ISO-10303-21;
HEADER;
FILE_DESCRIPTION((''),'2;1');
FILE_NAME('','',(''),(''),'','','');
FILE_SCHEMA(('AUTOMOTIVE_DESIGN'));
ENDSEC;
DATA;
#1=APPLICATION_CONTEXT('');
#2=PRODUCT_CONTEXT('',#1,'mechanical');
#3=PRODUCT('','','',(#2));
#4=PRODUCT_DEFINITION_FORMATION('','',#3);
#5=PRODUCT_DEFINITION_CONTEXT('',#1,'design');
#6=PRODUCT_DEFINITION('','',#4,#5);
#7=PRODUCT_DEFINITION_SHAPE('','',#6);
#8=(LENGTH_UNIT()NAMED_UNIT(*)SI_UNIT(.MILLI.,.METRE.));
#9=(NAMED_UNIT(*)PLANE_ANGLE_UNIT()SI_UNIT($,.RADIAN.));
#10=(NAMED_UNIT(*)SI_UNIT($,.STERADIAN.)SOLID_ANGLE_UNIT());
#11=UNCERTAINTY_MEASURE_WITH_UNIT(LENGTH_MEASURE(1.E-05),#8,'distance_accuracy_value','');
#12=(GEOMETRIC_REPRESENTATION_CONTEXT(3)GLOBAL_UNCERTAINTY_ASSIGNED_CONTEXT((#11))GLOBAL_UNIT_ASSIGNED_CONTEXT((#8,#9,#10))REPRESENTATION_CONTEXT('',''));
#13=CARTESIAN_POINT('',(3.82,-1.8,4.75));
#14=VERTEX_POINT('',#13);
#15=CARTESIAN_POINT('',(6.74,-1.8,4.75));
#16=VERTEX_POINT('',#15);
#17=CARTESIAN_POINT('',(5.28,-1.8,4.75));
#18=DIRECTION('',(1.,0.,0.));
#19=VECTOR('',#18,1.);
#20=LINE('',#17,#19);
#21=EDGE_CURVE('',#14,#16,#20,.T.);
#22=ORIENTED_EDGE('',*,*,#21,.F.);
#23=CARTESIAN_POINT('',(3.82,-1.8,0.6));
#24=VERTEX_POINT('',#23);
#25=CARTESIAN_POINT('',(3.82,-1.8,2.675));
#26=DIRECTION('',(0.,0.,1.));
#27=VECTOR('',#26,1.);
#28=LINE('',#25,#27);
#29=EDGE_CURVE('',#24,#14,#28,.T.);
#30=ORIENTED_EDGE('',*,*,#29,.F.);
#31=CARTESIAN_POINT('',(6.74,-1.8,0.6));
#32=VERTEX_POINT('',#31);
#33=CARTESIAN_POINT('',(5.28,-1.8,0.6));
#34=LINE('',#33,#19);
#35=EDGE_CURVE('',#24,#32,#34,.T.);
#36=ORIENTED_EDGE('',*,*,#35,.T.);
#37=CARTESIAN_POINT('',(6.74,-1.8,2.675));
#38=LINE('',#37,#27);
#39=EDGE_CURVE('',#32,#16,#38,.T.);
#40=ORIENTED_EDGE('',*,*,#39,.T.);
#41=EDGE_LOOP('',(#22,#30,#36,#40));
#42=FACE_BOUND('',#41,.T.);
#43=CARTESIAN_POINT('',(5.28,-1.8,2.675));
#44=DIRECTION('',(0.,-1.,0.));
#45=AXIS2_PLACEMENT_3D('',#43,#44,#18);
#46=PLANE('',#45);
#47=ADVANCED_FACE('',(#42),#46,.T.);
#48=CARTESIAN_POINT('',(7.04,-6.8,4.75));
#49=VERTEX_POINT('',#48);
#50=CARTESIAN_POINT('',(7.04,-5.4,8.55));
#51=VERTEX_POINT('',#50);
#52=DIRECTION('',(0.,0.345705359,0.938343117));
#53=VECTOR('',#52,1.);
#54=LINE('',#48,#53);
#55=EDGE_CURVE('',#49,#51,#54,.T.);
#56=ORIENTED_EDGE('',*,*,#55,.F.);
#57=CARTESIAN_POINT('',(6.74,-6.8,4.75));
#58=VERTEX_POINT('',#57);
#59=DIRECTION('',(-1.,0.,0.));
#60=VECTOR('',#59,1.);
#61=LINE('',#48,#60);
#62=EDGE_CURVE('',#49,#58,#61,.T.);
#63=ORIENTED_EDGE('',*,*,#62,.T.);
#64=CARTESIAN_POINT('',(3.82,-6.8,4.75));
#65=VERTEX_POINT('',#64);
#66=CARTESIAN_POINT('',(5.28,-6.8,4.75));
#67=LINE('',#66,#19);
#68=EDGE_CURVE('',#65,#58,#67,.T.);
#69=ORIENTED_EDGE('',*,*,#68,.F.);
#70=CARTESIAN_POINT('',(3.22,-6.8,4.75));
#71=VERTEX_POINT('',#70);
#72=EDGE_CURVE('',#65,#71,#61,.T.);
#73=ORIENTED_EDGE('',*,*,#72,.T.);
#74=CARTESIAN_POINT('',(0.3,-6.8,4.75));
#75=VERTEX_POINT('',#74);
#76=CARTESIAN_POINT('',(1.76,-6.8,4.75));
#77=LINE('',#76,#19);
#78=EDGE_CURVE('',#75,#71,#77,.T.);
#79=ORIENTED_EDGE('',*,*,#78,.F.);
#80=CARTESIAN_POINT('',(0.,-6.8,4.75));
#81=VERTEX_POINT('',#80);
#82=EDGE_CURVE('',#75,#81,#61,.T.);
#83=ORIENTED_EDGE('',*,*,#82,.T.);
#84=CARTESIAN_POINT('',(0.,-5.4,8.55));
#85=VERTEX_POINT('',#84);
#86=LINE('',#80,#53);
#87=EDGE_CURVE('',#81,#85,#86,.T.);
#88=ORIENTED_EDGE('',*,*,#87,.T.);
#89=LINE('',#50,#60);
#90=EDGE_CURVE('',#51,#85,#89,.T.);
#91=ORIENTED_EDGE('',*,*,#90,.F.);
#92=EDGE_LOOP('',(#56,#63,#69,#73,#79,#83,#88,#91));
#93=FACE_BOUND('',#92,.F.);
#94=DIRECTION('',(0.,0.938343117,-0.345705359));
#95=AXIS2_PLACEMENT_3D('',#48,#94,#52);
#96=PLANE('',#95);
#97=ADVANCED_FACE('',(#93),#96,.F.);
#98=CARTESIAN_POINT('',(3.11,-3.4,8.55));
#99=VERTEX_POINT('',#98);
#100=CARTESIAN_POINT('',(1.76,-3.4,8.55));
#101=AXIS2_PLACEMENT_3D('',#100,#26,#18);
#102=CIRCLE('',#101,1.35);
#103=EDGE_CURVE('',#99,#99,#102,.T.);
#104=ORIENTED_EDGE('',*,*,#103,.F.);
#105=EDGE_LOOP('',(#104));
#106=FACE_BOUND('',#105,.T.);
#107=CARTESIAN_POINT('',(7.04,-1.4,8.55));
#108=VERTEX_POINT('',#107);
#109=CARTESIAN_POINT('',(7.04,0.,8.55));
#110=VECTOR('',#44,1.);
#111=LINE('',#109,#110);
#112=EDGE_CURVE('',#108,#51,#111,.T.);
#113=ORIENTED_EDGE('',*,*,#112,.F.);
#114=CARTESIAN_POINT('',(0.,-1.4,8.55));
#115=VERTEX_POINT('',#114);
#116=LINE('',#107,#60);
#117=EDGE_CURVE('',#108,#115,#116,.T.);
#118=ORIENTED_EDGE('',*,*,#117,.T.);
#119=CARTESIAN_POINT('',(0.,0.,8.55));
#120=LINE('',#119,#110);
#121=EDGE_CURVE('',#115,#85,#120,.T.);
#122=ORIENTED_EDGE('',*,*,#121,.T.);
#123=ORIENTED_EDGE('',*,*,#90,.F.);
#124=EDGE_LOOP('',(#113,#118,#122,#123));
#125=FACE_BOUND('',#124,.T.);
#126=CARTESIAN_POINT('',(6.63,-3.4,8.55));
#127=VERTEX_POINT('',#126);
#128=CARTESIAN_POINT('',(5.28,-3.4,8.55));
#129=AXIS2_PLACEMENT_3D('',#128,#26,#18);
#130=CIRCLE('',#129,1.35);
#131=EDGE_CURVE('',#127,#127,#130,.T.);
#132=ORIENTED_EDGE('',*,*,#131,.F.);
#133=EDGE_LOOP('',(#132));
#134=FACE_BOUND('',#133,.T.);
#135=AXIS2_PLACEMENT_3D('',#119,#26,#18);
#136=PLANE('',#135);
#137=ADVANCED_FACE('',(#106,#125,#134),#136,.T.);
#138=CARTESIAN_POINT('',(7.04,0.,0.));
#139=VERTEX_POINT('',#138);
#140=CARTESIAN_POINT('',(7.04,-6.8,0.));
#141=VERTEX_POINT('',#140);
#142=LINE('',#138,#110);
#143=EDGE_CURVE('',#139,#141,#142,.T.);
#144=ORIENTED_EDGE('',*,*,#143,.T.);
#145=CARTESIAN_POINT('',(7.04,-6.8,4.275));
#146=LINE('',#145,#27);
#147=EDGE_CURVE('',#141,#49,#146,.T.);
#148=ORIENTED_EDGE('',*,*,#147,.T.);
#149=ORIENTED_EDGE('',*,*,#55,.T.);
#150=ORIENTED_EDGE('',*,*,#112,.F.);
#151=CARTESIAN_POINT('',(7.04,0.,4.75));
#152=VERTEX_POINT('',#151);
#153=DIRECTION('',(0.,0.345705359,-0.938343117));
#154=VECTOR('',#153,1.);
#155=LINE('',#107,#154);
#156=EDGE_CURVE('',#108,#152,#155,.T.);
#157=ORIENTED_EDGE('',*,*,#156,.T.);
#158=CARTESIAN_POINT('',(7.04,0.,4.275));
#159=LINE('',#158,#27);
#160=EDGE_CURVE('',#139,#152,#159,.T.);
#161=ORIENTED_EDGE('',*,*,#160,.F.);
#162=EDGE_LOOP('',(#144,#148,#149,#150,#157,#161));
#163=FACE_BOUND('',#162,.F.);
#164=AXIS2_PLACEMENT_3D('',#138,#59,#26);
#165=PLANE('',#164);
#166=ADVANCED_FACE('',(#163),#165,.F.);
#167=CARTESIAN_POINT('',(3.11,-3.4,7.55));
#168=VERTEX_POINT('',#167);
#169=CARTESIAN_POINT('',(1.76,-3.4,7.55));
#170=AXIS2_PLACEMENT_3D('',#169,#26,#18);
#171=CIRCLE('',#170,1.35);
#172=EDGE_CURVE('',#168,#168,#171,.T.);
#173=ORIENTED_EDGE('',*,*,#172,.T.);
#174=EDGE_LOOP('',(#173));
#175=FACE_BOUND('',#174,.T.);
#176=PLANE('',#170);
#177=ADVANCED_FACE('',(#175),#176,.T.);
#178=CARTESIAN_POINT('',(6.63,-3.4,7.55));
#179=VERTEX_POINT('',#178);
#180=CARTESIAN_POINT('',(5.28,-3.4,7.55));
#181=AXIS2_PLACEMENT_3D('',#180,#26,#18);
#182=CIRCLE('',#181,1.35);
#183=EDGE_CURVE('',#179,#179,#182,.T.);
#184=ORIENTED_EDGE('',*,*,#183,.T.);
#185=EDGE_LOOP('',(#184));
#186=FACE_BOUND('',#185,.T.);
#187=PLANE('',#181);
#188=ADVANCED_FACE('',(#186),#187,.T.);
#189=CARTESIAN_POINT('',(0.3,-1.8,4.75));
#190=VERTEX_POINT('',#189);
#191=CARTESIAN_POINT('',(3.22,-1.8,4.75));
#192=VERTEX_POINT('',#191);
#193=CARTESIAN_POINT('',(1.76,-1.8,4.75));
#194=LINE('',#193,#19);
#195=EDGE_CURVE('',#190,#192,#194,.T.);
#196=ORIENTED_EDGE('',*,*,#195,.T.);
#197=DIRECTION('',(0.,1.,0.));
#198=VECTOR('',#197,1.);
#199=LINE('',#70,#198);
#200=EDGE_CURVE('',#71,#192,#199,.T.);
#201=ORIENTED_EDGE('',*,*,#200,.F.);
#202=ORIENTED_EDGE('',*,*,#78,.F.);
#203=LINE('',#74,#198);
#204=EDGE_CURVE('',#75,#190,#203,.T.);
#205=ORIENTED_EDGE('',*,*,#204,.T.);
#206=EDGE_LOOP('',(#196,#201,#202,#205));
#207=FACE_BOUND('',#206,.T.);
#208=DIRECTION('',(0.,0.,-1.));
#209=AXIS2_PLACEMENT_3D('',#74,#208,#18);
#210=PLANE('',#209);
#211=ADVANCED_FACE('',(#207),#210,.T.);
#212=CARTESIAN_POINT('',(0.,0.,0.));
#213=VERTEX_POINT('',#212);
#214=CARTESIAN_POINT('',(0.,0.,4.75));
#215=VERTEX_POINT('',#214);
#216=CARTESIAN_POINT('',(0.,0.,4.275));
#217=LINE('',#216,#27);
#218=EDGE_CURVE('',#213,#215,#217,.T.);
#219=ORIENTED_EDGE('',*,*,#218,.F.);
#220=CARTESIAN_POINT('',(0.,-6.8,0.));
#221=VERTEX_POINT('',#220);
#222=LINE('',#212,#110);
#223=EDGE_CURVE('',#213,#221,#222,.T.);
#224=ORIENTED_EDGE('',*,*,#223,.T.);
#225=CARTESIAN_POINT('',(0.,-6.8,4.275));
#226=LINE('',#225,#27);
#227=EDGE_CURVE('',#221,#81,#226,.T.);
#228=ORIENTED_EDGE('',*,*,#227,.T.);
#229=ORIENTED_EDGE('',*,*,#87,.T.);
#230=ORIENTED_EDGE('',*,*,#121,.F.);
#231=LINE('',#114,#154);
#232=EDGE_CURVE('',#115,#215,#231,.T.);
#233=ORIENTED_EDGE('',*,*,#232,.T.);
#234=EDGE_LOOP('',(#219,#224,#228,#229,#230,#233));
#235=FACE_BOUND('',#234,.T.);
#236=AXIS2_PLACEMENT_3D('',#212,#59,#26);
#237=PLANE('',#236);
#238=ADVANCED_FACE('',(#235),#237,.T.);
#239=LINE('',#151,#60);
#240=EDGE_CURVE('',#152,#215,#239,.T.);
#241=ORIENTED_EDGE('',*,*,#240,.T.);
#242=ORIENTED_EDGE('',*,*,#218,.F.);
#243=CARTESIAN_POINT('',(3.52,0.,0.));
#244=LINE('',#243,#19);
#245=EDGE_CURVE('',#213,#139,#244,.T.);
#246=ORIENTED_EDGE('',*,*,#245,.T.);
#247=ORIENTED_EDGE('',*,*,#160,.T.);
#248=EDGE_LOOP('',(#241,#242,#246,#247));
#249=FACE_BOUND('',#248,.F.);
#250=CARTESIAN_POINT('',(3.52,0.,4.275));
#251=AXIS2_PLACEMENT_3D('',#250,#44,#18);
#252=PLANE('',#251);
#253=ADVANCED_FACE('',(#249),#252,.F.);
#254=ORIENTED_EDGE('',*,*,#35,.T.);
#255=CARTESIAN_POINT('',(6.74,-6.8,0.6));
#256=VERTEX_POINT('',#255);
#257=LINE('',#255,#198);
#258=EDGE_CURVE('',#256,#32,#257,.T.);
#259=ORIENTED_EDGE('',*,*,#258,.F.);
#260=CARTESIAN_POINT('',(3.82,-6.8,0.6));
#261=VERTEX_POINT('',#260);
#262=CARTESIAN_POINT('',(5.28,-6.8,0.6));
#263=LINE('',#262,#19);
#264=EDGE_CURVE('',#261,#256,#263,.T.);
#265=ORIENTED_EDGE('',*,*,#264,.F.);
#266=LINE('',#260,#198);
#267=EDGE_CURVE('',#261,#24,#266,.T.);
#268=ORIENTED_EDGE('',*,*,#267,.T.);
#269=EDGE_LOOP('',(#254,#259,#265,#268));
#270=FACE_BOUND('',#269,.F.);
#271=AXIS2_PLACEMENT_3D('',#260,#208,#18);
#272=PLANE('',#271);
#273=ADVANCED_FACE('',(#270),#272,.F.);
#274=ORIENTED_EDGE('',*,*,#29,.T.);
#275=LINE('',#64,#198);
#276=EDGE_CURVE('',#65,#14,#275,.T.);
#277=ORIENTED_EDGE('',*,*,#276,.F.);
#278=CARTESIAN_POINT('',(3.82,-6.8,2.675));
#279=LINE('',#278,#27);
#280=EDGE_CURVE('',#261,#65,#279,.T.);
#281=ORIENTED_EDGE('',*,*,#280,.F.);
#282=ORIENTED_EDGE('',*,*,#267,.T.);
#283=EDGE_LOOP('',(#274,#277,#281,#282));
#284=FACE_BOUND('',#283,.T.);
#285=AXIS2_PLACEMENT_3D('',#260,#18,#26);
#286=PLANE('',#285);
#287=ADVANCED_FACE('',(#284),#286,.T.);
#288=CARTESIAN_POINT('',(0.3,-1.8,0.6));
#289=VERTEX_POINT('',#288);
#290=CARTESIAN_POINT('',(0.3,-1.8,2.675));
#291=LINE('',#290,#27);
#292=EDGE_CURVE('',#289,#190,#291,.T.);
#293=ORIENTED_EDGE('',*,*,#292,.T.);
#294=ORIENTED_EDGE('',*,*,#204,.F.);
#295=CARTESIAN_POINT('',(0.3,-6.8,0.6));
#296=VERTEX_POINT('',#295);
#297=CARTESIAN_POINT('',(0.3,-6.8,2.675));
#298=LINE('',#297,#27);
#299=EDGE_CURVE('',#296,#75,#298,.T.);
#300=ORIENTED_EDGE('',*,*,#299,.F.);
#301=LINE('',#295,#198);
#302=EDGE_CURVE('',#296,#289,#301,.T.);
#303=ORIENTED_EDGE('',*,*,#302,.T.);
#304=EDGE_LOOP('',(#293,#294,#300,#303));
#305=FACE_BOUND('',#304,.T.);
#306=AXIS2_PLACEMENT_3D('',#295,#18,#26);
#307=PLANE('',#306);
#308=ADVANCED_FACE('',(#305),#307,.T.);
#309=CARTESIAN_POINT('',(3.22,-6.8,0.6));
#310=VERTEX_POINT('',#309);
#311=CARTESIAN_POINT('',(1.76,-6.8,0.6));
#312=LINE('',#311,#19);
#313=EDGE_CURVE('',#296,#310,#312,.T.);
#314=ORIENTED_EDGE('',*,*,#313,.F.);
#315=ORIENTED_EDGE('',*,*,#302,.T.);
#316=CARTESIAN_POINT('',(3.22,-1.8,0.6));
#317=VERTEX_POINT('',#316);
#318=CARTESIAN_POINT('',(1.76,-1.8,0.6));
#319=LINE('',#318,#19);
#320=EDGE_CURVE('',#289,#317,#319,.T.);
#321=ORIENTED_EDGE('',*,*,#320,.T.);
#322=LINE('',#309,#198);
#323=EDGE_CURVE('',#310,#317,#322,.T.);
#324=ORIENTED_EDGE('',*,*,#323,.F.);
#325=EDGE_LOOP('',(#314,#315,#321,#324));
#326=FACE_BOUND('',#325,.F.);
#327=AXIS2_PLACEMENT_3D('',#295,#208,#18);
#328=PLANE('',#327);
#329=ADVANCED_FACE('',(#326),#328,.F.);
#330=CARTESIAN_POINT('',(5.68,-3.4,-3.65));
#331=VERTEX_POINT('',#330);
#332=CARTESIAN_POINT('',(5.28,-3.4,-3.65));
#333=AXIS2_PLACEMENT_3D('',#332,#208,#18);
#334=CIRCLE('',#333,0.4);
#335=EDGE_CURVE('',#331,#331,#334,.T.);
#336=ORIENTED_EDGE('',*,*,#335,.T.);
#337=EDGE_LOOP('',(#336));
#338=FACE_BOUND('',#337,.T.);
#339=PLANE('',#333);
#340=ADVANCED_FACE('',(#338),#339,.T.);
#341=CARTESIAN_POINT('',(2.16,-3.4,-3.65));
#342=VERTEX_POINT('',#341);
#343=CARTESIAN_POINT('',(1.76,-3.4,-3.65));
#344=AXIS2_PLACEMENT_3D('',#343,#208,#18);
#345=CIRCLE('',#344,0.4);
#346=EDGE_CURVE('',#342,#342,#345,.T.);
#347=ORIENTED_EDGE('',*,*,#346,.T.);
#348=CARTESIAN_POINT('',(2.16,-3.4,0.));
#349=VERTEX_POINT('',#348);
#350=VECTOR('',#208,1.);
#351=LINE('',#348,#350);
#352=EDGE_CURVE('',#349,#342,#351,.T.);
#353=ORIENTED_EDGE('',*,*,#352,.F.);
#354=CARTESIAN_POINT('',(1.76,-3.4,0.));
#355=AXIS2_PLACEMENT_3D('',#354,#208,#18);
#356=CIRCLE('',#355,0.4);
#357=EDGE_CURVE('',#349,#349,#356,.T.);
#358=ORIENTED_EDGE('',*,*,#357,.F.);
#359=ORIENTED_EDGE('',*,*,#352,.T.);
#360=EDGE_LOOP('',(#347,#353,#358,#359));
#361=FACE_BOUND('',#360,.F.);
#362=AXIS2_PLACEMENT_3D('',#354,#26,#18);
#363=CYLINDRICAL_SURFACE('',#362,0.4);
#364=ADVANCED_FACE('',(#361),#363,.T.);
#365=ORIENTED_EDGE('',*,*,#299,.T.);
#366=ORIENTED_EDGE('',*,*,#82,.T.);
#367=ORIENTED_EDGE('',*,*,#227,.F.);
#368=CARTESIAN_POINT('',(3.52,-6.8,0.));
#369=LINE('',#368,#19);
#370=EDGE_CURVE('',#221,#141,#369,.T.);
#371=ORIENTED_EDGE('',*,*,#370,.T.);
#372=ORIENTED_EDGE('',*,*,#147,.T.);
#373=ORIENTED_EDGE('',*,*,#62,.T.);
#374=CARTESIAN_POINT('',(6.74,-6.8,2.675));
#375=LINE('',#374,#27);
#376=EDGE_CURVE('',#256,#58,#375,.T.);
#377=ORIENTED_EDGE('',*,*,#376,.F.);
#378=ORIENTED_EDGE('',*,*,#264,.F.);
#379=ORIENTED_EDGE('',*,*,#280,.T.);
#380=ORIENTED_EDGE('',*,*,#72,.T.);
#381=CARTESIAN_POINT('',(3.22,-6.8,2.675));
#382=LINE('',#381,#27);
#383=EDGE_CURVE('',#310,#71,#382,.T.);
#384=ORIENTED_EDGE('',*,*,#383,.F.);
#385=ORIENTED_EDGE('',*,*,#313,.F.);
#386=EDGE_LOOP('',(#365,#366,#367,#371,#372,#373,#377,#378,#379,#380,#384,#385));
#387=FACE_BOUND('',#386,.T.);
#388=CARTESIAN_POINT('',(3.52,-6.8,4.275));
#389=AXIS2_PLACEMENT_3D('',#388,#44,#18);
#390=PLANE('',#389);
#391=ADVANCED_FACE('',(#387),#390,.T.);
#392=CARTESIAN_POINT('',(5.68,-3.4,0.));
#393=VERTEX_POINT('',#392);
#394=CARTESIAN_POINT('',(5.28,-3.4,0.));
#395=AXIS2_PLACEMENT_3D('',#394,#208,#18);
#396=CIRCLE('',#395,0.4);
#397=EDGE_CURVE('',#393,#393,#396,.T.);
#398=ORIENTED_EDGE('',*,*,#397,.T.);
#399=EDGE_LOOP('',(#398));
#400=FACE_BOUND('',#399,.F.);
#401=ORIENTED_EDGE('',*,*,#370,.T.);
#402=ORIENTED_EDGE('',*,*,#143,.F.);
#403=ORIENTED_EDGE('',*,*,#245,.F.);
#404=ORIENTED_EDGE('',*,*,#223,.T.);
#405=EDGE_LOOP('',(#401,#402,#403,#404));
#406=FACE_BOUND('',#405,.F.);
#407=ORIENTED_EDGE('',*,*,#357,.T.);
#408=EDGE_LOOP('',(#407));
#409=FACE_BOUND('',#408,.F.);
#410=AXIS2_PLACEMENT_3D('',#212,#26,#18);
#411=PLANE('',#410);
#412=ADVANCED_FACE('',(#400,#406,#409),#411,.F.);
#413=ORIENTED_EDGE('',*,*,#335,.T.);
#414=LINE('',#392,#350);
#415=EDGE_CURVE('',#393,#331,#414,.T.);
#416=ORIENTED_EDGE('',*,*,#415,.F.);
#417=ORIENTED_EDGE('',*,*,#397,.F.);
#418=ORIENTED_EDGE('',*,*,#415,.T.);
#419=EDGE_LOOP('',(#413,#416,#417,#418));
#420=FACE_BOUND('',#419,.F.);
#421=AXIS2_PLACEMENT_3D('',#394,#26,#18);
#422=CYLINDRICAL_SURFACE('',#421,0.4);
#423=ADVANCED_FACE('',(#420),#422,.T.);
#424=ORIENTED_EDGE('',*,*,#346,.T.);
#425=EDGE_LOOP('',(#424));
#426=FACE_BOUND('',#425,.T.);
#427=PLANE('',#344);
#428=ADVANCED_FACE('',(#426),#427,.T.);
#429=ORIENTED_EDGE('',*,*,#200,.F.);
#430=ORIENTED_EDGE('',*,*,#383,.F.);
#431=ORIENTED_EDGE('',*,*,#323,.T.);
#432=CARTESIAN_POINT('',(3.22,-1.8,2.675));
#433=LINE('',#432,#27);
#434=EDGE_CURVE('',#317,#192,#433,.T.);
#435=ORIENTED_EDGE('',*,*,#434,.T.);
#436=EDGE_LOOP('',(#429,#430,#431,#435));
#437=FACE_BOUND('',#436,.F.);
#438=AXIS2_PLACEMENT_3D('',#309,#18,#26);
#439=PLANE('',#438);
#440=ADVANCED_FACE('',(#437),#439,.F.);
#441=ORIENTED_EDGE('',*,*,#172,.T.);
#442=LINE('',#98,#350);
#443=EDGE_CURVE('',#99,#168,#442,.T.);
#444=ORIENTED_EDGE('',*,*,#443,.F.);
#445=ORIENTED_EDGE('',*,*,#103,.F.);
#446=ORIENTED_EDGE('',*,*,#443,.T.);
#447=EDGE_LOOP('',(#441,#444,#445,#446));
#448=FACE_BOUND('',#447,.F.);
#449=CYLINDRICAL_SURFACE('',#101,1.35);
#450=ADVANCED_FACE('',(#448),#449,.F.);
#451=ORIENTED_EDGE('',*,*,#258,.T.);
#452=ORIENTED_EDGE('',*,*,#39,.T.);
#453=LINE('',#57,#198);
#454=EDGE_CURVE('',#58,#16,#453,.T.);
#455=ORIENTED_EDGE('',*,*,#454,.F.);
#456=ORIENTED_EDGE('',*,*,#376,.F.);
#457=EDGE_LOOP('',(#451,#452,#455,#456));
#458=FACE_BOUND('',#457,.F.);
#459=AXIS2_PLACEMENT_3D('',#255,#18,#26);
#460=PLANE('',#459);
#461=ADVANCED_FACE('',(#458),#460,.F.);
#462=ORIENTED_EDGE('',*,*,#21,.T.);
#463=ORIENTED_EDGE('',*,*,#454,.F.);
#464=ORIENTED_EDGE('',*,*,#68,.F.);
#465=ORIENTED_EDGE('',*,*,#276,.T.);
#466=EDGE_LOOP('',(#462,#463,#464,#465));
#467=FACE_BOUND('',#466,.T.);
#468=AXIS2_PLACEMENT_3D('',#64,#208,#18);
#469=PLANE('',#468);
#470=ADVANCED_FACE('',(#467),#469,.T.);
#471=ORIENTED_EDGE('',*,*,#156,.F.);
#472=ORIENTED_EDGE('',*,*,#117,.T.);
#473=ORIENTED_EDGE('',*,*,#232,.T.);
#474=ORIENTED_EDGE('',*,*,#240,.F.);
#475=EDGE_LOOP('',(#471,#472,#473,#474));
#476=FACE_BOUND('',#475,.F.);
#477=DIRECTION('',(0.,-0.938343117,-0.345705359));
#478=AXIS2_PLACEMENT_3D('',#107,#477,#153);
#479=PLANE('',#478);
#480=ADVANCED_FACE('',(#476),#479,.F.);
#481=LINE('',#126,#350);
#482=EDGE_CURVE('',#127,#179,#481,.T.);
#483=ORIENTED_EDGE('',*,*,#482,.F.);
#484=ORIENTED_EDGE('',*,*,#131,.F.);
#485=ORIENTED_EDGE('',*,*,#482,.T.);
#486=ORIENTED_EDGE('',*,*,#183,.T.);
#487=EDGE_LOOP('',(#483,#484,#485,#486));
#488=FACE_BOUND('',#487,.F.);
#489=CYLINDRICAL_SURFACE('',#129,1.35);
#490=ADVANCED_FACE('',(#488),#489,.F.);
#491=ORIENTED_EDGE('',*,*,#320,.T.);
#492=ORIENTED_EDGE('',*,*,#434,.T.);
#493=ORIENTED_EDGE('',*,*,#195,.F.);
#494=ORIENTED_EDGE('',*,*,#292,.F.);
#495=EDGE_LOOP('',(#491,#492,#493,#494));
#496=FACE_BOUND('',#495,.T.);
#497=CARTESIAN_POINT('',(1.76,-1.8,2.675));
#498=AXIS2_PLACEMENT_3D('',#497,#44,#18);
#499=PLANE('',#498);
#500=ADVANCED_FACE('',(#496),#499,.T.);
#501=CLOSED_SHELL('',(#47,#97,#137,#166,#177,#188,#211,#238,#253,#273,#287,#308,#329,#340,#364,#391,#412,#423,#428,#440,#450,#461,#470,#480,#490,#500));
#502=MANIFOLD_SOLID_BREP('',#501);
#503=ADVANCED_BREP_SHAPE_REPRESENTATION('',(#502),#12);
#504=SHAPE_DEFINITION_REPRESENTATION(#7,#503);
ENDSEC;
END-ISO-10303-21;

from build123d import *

# Parameters (mm, degrees)
F0_W     = 7.04
F0_H     = 8.55
F1_DEPTH = 6.8
F3_DEPTH = 7.04
F4_W     = 2.92
F4_H     = 4.15
F5_DEPTH = 5
F6_R     = 1.35
F7_DEPTH = 1
F8_R     = 0.4
F9_DEPTH = 3.65


with BuildPart() as f1:
    # F0 (on Front) → F1 (new body)
    with BuildSketch(Plane.XZ):
        with Locations((3.52, 4.275)):
            Rectangle(F0_W, F0_H)
    extrude(amount=F1_DEPTH)

    # F2 (on face) → F3 (cut, through all)
    with BuildSketch(Plane.YZ.offset(7.04)):
        Polygon((-6.8, 8.55), (-6.8, 4.75), (-5.4, 8.55), align=None)
        Polygon((0, 4.75), (0, 8.55), (-1.4, 8.55), align=None)
    extrude(amount=-F3_DEPTH, mode=Mode.SUBTRACT)

    # F4 (on face) → F5 (cut)
    with BuildSketch(Plane.XZ.offset(6.8)):
        with Locations((1.76, 2.675)):
            Rectangle(F4_W, F4_H)
        with Locations((5.28, 2.675)):
            Rectangle(F4_W, F4_H)
    extrude(amount=-F5_DEPTH, mode=Mode.SUBTRACT)

    # F6 (on face) → F7 (cut)
    with BuildSketch(Plane.XY.offset(8.55)):
        with Locations((1.76, -3.4)):
            Circle(F6_R)
        with Locations((5.28, -3.4)):
            Circle(F6_R)
    extrude(amount=-F7_DEPTH, mode=Mode.SUBTRACT)

    # F8 (on face) → F9 (join)
    with BuildSketch(Plane(origin=(0, 0, 0), x_dir=(1, 0, 0), z_dir=(0, 0, -1))):
        with Locations((1.76, 3.4)):
            Circle(F8_R)
        with Locations((5.28, 3.4)):
            Circle(F8_R)
    extrude(amount=F9_DEPTH)


solid = f1.part
